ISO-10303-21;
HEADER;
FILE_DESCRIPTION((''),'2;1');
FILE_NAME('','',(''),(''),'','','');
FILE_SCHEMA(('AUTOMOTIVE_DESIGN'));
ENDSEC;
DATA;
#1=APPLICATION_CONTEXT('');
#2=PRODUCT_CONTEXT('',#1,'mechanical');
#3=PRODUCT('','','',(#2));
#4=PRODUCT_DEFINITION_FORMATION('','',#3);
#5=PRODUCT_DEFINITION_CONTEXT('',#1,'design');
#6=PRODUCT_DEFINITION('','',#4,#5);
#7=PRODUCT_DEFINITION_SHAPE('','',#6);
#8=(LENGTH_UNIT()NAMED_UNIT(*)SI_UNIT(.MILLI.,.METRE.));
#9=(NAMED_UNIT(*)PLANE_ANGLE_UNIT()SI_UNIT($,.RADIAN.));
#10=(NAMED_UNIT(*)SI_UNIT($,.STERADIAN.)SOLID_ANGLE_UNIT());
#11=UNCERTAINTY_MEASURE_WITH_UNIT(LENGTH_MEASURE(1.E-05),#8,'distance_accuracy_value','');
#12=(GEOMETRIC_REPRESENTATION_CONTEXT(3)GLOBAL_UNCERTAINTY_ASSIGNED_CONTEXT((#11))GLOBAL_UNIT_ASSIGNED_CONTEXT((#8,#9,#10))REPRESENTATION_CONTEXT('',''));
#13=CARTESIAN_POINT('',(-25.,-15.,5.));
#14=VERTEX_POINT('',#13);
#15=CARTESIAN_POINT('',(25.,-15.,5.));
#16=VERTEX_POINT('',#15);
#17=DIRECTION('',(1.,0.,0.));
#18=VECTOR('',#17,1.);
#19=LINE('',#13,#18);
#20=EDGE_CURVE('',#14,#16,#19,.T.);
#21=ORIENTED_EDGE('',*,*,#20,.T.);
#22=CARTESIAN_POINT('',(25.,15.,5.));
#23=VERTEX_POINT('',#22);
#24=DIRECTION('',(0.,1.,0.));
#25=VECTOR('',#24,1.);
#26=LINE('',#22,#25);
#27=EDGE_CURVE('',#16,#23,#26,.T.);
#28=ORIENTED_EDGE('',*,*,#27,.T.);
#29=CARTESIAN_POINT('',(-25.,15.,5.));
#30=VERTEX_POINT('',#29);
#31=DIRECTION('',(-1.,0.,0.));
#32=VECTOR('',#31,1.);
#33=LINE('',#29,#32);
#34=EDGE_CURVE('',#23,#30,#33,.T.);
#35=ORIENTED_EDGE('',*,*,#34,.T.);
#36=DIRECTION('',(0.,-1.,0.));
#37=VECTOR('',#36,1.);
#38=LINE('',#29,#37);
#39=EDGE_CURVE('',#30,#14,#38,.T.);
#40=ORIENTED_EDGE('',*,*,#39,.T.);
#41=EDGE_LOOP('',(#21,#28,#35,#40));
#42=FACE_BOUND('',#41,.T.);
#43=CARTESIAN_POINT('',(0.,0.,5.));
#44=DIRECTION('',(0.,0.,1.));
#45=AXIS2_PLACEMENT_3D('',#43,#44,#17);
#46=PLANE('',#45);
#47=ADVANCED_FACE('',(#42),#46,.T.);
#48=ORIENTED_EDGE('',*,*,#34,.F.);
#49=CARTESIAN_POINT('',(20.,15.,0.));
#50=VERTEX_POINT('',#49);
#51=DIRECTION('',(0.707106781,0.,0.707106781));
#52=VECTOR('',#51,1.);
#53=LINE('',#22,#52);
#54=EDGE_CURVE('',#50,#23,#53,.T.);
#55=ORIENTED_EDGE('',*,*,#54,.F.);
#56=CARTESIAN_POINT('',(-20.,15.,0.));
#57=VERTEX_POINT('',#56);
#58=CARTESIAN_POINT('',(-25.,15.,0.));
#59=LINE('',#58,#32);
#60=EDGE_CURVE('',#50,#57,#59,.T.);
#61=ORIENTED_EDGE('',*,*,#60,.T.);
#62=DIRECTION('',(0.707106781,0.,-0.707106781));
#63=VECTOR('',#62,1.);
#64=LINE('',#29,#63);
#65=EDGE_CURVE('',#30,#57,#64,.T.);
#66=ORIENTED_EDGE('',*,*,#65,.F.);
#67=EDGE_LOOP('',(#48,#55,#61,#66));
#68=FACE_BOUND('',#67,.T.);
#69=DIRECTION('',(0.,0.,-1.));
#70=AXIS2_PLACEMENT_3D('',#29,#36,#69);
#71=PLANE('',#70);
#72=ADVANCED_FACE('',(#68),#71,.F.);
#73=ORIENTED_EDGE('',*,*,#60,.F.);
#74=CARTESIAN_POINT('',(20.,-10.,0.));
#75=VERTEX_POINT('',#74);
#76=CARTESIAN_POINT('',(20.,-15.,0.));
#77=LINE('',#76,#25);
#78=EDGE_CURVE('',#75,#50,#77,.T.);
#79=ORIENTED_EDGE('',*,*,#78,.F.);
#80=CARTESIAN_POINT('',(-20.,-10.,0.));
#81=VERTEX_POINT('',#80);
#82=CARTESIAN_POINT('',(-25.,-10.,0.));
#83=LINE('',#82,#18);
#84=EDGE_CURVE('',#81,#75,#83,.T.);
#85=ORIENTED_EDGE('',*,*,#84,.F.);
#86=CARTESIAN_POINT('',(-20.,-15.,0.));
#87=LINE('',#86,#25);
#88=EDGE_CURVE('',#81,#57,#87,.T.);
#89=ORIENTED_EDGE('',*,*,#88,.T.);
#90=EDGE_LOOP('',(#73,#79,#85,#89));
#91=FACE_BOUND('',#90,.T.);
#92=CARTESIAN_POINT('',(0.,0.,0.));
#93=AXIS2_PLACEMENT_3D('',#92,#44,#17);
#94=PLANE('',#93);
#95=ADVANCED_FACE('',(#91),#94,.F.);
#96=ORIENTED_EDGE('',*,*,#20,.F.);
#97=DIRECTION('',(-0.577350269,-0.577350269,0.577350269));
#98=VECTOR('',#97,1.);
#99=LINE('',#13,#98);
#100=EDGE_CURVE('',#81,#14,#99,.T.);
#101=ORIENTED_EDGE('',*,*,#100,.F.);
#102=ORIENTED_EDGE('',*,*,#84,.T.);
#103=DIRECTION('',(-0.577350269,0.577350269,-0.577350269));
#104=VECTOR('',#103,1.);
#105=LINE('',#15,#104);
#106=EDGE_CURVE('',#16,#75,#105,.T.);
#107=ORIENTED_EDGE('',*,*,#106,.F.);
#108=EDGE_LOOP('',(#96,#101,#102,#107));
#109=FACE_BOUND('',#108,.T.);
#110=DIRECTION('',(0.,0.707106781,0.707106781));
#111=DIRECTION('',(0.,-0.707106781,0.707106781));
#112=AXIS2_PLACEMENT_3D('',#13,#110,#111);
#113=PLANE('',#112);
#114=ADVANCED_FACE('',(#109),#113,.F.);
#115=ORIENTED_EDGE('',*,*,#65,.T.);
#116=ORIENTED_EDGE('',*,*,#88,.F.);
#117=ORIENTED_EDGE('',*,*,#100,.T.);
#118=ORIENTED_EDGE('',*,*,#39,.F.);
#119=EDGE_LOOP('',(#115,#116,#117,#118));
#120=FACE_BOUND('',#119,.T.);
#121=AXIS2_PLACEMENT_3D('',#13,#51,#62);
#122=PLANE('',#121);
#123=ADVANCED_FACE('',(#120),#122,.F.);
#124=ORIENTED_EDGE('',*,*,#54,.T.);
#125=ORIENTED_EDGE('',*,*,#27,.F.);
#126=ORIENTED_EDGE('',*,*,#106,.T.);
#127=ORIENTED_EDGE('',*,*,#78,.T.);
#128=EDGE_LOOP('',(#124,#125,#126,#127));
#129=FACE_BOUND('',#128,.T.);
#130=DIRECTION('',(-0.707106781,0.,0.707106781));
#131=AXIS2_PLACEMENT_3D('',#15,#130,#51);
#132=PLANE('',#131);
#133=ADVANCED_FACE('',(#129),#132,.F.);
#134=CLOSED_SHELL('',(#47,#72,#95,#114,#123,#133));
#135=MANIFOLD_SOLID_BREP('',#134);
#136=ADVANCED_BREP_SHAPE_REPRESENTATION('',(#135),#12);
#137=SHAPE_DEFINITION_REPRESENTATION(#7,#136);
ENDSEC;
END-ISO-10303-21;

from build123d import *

# Parameters (mm, degrees)
SKETCH1_W               = 50
SKETCH1_H               = 30
BOSS_EXTRUDE1_DEPTH     = 5
CUT_EXTRUDE3_DEPTH      = 1
CUT_EXTRUDE3_DEPTH_BACK = 31
CUT_EXTRUDE4_DEPTH      = 26
CUT_EXTRUDE4_DEPTH_BACK = 26


with BuildPart() as part:
    # Sketch1 → Boss-Extrude1 (new body)
    with BuildSketch(Plane.XY):
        Rectangle(SKETCH1_W, SKETCH1_H)
    extrude(amount=BOSS_EXTRUDE1_DEPTH)

    # Sketch4 → Cut-Extrude3 (cut, two sides)
    with BuildSketch(Plane(origin=(0, 15, 0), x_dir=(1, 0, 0), z_dir=(0, 1, 0))) as cut_extrude3_sk:
        Polygon((-25, -5), (-20, 0), (-25, 0), align=None)
        Polygon((25, -5), (20, 0), (25, 0), align=None)
    extrude(amount=CUT_EXTRUDE3_DEPTH, mode=Mode.SUBTRACT)
    extrude(cut_extrude3_sk.sketch, amount=-CUT_EXTRUDE3_DEPTH_BACK, mode=Mode.SUBTRACT)

    # Sketch5 → Cut-Extrude4 (cut, two sides)
    with BuildSketch(Plane(origin=(0, 0, 0), x_dir=(0, 0, -1), z_dir=(1, 0, 0))) as cut_extrude4_sk:
        Polygon((-5, -15), (0, -10), (0, -15), align=None)
    extrude(amount=CUT_EXTRUDE4_DEPTH, mode=Mode.SUBTRACT)
    extrude(cut_extrude4_sk.sketch, amount=-CUT_EXTRUDE4_DEPTH_BACK, mode=Mode.SUBTRACT)


solid = part.part
